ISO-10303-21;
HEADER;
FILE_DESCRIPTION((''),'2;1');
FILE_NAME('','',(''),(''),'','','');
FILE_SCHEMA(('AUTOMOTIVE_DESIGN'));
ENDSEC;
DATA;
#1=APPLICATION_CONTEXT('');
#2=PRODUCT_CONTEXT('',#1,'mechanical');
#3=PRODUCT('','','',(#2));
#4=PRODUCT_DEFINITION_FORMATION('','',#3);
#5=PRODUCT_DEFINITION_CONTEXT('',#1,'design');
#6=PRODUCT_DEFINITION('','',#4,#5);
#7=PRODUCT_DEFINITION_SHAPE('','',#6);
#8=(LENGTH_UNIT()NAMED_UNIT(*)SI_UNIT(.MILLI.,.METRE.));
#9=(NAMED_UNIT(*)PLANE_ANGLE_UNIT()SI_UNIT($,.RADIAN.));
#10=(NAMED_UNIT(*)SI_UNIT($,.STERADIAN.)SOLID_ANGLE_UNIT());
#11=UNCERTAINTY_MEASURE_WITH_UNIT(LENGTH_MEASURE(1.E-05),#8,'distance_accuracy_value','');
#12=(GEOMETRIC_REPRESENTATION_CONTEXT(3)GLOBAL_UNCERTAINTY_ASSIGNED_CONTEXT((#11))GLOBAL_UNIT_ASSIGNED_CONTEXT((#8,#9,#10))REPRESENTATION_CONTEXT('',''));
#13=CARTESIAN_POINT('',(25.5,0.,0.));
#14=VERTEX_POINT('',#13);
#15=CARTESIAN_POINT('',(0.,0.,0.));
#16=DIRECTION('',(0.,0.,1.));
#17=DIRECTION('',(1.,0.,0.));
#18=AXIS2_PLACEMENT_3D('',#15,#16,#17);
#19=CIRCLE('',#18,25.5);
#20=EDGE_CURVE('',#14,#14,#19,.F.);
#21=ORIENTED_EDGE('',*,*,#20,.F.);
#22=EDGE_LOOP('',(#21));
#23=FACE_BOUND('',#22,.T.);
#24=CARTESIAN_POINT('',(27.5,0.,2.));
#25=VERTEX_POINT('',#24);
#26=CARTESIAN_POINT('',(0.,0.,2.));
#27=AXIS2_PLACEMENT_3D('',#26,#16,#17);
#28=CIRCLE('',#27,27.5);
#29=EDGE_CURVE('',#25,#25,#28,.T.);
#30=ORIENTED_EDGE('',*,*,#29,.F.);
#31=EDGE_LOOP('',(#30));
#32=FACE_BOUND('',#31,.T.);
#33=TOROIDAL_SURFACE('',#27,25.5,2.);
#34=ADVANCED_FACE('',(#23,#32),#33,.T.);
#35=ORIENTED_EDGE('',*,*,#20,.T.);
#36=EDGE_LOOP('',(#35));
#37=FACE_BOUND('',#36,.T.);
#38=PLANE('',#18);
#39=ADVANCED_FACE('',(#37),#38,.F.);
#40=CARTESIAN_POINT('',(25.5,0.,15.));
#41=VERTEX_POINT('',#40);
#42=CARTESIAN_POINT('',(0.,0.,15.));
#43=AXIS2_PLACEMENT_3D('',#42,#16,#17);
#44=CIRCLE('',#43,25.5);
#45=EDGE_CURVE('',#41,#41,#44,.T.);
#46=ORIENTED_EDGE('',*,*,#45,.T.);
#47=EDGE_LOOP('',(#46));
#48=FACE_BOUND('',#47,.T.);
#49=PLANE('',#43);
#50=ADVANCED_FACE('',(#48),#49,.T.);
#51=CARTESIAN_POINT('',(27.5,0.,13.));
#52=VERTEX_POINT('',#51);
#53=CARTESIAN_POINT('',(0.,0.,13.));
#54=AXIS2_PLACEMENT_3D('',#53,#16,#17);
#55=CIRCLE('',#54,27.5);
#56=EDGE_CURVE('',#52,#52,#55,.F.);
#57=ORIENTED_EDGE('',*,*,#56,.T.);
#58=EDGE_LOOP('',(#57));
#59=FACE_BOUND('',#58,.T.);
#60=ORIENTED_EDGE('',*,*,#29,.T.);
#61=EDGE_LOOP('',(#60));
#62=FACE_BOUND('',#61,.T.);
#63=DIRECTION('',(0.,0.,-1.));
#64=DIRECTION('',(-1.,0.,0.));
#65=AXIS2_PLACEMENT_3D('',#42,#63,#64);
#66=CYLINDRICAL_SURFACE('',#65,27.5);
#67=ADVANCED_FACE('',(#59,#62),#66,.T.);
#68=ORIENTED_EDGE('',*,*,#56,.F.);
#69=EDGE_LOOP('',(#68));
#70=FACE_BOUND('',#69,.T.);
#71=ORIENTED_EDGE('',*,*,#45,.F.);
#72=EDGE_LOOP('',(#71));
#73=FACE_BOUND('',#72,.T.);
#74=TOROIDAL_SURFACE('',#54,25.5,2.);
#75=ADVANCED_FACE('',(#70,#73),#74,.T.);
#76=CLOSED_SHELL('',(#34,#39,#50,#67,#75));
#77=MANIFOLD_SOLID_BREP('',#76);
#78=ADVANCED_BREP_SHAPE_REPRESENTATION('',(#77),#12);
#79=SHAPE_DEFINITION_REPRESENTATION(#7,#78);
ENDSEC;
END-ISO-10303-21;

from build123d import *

# Parameters (mm, degrees)
SKICA1_R                = 27.5
P_IDAT_VYSUNUT_M1_DEPTH = 15
ZAOBLIT1_R              = 2


with BuildPart() as part:
    # Skica1 → Přidat vysunutím1 (new body)
    with BuildSketch(Plane.XY):
        Circle(SKICA1_R)
    extrude(amount=P_IDAT_VYSUNUT_M1_DEPTH)

    # Zaoblit1
    zaoblit1_edges = [part.edges().sort_by_distance(p)[0] for p in [
        (-27.5, 0, 0),
        (-27.5, 0, 15),
    ]]
    fillet(zaoblit1_edges, radius=ZAOBLIT1_R)


solid = part.part
